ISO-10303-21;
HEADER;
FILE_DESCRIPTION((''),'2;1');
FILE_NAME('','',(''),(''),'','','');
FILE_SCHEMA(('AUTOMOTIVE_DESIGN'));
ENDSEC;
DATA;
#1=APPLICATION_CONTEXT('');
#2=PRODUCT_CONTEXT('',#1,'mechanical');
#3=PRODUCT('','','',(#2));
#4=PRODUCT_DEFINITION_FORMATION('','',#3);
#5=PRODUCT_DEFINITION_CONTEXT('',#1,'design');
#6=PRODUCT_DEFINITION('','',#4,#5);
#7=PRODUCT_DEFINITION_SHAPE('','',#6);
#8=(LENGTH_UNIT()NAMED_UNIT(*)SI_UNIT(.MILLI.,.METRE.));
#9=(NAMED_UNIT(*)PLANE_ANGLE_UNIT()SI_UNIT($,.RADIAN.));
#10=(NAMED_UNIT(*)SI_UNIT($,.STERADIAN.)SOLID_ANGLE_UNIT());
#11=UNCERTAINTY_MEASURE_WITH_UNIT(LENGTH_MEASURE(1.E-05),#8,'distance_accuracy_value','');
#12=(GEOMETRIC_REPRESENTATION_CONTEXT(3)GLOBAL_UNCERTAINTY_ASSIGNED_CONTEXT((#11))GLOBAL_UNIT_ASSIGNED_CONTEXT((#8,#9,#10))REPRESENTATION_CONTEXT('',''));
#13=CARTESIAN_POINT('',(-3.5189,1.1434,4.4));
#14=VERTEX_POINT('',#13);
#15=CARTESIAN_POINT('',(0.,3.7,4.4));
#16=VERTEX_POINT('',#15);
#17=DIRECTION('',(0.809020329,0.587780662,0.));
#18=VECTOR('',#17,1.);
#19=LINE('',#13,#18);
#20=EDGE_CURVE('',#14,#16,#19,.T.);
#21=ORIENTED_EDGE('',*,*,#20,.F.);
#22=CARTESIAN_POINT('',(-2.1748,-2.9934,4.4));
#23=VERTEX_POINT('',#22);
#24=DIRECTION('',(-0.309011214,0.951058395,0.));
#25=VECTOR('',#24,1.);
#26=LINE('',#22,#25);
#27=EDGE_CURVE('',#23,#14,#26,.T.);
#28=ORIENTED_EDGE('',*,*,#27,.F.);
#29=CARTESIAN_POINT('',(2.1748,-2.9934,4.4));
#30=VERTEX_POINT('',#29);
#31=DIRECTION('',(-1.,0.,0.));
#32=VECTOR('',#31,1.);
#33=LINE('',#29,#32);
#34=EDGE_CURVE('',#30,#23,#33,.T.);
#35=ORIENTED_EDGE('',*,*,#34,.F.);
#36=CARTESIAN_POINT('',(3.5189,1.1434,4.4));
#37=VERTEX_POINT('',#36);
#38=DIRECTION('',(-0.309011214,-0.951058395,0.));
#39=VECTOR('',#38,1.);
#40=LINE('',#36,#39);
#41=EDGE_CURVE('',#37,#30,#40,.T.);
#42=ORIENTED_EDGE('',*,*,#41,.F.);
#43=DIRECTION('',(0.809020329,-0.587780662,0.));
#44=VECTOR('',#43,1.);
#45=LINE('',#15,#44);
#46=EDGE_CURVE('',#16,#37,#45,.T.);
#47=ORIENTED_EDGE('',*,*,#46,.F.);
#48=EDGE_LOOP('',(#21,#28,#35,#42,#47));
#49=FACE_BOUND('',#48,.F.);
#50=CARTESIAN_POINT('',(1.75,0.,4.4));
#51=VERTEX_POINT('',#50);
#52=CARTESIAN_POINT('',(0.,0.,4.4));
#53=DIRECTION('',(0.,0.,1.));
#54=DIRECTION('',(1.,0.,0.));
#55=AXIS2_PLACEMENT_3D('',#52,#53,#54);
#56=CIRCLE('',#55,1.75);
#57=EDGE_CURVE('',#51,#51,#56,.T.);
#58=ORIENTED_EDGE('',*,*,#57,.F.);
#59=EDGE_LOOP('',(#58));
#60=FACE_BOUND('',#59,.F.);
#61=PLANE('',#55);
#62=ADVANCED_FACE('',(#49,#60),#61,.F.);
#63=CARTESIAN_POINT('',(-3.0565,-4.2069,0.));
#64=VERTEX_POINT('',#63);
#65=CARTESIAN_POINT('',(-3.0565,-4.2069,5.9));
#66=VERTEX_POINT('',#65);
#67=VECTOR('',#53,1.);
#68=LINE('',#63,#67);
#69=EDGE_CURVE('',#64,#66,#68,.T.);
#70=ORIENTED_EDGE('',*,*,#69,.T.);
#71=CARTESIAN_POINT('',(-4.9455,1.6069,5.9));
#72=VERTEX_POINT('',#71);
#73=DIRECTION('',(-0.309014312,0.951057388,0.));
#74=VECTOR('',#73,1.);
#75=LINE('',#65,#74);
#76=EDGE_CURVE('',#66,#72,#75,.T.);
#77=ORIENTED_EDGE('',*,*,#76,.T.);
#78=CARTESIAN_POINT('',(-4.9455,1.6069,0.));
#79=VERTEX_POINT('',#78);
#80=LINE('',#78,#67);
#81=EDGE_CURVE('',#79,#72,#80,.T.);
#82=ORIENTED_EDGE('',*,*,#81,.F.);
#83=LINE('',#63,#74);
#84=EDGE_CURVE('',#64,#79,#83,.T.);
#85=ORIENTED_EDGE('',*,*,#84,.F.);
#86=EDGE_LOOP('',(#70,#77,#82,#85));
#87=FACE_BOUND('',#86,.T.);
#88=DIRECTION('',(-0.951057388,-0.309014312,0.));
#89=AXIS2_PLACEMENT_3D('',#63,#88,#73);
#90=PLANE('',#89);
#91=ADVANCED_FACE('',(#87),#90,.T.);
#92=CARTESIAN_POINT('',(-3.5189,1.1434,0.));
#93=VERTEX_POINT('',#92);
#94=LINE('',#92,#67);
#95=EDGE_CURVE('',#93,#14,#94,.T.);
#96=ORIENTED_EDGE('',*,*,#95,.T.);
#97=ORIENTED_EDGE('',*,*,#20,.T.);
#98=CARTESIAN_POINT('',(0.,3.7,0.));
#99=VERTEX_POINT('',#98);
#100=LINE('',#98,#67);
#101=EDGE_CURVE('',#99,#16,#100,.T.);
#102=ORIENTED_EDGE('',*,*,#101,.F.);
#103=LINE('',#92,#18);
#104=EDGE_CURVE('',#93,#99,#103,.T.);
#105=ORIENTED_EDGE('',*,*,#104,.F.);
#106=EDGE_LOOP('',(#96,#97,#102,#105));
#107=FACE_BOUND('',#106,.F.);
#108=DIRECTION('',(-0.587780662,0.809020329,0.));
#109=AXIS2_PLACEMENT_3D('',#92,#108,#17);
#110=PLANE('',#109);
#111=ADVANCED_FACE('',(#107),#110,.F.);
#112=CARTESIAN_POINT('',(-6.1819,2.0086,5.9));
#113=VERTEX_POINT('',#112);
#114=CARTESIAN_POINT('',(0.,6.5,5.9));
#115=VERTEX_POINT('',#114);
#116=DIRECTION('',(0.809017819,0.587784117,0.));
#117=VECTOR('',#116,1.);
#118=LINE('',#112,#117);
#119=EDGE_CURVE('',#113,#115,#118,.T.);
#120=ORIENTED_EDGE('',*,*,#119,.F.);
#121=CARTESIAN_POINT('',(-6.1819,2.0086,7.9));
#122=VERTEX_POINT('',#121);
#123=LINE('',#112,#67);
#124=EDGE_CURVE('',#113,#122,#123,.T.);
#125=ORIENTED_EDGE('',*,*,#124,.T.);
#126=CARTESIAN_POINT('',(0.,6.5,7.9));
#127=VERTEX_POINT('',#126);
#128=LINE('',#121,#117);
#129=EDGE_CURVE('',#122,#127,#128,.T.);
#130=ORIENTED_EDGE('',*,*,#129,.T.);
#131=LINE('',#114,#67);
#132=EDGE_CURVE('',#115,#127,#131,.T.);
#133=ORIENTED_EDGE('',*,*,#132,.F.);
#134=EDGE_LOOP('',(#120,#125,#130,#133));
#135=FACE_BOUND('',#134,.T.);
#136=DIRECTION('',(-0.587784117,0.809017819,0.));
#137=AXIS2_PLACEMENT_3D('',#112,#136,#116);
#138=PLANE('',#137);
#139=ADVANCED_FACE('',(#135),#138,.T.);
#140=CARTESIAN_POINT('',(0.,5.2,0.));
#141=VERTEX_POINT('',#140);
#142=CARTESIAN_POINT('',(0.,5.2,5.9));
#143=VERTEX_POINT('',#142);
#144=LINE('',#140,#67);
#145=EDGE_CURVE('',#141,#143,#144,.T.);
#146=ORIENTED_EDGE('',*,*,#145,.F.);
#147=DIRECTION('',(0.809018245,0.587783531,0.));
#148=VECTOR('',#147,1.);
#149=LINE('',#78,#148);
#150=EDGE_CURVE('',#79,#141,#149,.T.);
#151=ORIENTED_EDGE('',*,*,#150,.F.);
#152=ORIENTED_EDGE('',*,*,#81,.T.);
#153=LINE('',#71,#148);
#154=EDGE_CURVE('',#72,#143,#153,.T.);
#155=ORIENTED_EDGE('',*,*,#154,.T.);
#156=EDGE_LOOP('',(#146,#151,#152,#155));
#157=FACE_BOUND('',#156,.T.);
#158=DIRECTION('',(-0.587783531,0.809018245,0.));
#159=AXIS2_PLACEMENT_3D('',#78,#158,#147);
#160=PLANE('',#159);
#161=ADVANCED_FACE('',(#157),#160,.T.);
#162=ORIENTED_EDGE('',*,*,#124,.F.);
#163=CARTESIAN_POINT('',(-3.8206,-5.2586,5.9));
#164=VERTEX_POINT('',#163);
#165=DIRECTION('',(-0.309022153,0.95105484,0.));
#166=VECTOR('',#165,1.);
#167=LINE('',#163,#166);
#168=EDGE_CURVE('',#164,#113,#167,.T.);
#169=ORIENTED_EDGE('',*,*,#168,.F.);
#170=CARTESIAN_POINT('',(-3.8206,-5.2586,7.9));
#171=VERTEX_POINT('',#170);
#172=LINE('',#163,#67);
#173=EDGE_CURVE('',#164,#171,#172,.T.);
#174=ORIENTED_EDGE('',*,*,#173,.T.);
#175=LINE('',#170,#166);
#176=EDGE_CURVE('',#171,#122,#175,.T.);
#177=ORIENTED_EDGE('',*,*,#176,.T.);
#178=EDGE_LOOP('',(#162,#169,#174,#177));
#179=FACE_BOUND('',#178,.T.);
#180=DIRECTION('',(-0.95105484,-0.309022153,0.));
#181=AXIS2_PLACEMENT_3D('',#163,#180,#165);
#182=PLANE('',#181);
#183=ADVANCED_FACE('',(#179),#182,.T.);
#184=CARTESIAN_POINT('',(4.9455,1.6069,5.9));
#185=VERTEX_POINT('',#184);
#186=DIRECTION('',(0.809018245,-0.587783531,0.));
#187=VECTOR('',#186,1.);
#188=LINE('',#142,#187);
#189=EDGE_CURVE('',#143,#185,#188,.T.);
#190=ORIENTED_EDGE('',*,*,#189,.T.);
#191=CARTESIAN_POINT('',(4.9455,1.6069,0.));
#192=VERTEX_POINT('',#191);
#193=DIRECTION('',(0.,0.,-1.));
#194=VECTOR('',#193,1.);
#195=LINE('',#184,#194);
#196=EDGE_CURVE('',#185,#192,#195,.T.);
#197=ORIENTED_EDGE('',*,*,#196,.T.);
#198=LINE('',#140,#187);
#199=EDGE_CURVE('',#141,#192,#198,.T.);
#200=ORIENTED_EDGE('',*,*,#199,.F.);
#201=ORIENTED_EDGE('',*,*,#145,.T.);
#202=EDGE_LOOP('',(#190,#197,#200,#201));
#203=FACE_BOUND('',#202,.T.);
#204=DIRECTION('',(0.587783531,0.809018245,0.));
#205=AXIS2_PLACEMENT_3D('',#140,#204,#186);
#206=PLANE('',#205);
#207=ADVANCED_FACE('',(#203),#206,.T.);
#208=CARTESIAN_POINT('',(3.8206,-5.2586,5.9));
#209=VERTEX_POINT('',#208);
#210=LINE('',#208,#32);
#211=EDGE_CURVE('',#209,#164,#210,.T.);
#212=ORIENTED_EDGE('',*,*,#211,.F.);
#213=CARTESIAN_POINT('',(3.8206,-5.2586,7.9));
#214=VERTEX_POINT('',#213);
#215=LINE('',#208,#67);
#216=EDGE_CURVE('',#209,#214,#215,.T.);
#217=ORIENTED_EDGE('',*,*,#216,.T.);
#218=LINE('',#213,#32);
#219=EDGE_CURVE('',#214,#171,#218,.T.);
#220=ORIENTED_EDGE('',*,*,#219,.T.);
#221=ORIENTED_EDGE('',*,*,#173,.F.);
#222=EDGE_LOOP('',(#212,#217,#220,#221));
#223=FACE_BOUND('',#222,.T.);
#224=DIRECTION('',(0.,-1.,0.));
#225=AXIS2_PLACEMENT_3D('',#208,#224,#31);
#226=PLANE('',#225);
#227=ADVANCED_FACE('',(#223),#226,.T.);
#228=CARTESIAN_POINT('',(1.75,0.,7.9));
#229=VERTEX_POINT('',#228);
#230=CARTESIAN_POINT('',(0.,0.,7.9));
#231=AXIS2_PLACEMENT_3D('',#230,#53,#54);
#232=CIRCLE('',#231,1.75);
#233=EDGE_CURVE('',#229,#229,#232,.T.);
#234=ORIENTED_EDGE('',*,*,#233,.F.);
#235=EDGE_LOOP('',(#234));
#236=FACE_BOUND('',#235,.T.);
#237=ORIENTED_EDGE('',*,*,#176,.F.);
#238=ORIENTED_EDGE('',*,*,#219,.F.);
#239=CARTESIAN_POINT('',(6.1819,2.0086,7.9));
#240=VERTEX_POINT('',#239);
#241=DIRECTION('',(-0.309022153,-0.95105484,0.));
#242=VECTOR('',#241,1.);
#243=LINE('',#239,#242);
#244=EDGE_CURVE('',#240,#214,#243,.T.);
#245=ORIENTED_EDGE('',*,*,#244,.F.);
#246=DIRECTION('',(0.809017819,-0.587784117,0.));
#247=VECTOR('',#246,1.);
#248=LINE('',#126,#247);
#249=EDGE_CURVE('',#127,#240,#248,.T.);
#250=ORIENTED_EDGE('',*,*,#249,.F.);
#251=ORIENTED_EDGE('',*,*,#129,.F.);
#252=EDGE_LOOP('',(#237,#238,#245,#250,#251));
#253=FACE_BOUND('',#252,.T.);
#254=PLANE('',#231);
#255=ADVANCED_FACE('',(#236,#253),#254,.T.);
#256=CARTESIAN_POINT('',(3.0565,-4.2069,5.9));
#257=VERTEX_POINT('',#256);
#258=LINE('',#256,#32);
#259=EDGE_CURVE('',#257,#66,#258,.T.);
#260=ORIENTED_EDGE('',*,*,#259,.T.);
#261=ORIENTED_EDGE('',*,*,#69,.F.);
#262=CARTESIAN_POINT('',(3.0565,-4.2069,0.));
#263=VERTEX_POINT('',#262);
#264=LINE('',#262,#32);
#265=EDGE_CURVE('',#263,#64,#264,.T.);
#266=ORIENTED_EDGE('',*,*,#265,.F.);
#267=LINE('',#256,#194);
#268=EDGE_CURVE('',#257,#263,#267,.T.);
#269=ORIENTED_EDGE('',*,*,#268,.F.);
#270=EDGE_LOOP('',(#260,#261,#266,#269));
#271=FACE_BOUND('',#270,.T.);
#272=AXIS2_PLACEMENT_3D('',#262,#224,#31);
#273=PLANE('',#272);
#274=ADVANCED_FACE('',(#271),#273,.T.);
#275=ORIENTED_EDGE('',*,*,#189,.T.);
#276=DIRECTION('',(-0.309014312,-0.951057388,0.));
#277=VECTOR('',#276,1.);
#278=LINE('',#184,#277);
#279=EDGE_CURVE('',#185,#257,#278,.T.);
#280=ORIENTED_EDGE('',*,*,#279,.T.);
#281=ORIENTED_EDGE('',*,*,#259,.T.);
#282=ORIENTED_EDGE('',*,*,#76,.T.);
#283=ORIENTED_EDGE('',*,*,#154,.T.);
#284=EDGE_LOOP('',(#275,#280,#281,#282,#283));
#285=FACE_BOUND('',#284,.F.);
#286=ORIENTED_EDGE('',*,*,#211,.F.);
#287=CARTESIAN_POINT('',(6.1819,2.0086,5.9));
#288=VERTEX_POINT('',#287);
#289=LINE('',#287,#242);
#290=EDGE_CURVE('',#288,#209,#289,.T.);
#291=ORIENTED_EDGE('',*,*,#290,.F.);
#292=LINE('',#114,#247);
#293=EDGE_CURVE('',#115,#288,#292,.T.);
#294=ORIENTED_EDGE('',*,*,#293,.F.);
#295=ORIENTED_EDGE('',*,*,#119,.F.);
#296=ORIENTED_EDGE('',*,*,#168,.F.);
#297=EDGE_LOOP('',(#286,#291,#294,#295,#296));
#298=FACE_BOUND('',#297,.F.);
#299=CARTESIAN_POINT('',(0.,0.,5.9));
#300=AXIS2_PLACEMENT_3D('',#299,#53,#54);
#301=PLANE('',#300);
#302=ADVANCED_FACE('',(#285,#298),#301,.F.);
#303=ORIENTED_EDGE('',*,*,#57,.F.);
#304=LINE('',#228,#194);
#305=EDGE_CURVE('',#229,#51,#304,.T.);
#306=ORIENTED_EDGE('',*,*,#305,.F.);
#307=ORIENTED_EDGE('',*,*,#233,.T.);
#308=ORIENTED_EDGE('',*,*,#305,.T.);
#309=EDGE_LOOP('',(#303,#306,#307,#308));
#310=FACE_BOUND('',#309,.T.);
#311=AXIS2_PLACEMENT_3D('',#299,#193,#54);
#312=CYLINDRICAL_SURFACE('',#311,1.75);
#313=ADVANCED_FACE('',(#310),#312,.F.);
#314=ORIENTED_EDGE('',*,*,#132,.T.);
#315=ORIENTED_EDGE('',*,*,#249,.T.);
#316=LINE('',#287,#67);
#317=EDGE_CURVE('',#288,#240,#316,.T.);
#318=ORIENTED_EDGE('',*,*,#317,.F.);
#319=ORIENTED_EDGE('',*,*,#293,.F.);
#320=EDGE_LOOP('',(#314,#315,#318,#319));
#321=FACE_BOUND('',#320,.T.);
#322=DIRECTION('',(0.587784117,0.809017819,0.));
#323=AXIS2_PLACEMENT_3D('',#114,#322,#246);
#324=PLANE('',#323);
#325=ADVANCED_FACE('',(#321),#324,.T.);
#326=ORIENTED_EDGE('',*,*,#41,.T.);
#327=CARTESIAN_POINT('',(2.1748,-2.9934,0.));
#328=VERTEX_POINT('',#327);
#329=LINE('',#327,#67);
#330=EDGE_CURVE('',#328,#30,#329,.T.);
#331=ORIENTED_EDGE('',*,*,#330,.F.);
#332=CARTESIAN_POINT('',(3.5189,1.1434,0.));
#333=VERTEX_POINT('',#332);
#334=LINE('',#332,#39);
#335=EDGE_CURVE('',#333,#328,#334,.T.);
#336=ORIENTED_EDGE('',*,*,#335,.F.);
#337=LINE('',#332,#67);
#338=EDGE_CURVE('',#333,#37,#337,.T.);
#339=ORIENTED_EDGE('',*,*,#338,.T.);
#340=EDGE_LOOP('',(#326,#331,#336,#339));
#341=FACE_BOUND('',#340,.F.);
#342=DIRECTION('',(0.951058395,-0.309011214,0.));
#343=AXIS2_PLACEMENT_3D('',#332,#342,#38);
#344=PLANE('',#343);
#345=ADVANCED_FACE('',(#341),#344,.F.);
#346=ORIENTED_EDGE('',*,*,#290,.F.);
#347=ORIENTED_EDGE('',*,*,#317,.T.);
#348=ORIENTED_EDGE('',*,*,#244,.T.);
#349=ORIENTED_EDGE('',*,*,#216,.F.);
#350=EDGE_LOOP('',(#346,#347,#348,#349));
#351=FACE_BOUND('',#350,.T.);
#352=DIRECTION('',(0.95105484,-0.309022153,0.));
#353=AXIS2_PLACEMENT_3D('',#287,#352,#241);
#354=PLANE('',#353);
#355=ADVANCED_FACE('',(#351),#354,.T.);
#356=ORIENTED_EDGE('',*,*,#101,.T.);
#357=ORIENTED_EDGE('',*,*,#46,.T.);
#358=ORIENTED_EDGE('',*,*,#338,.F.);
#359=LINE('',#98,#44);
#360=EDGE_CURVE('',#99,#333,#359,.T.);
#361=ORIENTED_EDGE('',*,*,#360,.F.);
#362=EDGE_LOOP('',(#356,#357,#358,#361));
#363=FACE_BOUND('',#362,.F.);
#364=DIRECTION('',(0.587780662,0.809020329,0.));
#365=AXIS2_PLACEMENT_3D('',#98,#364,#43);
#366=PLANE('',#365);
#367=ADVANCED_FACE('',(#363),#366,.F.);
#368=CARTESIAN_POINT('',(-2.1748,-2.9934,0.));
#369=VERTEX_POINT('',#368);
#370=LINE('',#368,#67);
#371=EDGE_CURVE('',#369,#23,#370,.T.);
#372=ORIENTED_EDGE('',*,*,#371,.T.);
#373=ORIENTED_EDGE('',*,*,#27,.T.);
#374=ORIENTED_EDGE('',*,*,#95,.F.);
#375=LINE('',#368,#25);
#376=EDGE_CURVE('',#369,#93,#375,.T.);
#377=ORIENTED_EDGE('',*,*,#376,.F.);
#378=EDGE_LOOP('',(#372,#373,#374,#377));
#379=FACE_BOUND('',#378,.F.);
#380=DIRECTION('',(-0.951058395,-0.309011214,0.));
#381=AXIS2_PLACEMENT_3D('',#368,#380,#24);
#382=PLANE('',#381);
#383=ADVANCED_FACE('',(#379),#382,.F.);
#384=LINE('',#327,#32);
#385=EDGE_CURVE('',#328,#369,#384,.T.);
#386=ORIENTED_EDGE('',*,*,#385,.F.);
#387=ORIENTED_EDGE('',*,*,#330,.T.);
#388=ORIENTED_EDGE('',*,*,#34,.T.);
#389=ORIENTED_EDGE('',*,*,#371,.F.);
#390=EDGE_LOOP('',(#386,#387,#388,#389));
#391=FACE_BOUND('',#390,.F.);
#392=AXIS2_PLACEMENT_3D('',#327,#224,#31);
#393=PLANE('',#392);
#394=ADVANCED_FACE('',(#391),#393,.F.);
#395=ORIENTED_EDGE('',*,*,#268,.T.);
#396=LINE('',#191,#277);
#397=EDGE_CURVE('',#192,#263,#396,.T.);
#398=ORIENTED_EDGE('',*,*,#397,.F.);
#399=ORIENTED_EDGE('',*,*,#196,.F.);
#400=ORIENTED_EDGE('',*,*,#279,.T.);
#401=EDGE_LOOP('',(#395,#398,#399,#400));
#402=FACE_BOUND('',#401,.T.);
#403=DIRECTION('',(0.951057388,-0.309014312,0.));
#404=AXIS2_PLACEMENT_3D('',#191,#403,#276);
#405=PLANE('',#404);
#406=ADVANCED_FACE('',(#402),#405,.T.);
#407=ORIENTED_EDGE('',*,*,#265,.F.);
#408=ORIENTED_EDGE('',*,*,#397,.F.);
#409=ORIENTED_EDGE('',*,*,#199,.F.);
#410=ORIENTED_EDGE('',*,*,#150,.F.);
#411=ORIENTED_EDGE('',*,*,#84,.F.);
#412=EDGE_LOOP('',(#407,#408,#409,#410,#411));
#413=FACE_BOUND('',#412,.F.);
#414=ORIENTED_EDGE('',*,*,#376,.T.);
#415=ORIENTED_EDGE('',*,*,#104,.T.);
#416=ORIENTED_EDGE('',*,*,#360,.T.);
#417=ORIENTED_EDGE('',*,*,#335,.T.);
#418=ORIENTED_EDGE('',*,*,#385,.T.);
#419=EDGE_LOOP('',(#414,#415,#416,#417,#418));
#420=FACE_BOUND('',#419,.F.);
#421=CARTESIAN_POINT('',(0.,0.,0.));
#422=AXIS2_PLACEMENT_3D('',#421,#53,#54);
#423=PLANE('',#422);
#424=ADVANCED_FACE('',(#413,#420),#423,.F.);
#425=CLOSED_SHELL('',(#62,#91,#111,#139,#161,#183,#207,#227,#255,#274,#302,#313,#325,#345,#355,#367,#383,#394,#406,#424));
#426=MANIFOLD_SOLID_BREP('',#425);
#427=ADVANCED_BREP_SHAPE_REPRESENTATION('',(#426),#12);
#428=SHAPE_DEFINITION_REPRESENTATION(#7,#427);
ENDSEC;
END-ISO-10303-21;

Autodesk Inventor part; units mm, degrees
ref_plane "YZ Plane" through (0, 0, 0) normal (1, 0, 0) x (0, 1, 0)
ref_plane "XZ Plane" through (0, 0, 0) normal (0, 1, 0) x (-1, 0, 0)
ref_plane "XY Plane" through (0, 0, 0) normal (0, 0, 1) x (1, 0, 0)
sketch "Skizze1" plane through (0, 0, 0) normal (0, 0, 1) x (1, 0, 0)
  circle A0 centre (0, 0) radius 3.7 construction
  line L0 (0, 3.7) -> (3.5189, 1.1434)
  line L1 (3.5189, 1.1434) -> (2.1748, -2.9934)
  line L2 (2.1748, -2.9934) -> (-2.1748, -2.9934)
  line L3 (-2.1748, -2.9934) -> (-3.5189, 1.1434)
  line L4 (-3.5189, 1.1434) -> (0, 3.7)
  circle A1 centre (0, 0) radius 5.2 construction
  line L5 (0, 5.2) -> (4.9455, 1.6069)
  line L6 (4.9455, 1.6069) -> (3.0565, -4.2069)
  line L7 (3.0565, -4.2069) -> (-3.0565, -4.2069)
  line L8 (-3.0565, -4.2069) -> (-4.9455, 1.6069)
  line L9 (-4.9455, 1.6069) -> (0, 5.2)
  circle A2 centre (0, 0) radius 1.75
  circle A3 centre (0, 0) radius 6.5 construction
  line L10 (-6.1819, 2.0086) -> (0, 6.5)
  line L11 (0, 6.5) -> (6.1819, 2.0086)
  line L12 (6.1819, 2.0086) -> (3.8206, -5.2586)
  line L13 (3.8206, -5.2586) -> (-3.8206, -5.2586)
  line L14 (-3.8206, -5.2586) -> (-6.1819, 2.0086)
  circle A4 centre (0, 0) radius 4.2 construction
  line L15 (0, 9.1) -> (0, -9.1) construction
  circle A5 centre (0, 0) radius 5.7 construction
  dimension "d9" = 13
  dimension "d8" = 3.5
  dimension "d14" = 8.4
  dimension "d15" = 0.5
  dimension "d16" = 11.4
  dimension "d18" = 0.5
extrude "Extrusion1" add sketch "Skizze1" along normal blind 4.4 contours L5 L6 L7 L8 L9
extrude "Extrusion2" add sketch "Skizze1" along normal blind 1.5 from surface at 4.4 contours L0 L1 L2 L3 L4 | L5 L6 L7 L8 L9
extrude "Extrusion3" add sketch "Skizze1" along normal blind 2 from surface at 5.9 contours L0 L1 L2 L3 L4 | L5 L6 L7 L8 L9 | L10 L11 L12 L13 L14
properties part number "gearNotch"
